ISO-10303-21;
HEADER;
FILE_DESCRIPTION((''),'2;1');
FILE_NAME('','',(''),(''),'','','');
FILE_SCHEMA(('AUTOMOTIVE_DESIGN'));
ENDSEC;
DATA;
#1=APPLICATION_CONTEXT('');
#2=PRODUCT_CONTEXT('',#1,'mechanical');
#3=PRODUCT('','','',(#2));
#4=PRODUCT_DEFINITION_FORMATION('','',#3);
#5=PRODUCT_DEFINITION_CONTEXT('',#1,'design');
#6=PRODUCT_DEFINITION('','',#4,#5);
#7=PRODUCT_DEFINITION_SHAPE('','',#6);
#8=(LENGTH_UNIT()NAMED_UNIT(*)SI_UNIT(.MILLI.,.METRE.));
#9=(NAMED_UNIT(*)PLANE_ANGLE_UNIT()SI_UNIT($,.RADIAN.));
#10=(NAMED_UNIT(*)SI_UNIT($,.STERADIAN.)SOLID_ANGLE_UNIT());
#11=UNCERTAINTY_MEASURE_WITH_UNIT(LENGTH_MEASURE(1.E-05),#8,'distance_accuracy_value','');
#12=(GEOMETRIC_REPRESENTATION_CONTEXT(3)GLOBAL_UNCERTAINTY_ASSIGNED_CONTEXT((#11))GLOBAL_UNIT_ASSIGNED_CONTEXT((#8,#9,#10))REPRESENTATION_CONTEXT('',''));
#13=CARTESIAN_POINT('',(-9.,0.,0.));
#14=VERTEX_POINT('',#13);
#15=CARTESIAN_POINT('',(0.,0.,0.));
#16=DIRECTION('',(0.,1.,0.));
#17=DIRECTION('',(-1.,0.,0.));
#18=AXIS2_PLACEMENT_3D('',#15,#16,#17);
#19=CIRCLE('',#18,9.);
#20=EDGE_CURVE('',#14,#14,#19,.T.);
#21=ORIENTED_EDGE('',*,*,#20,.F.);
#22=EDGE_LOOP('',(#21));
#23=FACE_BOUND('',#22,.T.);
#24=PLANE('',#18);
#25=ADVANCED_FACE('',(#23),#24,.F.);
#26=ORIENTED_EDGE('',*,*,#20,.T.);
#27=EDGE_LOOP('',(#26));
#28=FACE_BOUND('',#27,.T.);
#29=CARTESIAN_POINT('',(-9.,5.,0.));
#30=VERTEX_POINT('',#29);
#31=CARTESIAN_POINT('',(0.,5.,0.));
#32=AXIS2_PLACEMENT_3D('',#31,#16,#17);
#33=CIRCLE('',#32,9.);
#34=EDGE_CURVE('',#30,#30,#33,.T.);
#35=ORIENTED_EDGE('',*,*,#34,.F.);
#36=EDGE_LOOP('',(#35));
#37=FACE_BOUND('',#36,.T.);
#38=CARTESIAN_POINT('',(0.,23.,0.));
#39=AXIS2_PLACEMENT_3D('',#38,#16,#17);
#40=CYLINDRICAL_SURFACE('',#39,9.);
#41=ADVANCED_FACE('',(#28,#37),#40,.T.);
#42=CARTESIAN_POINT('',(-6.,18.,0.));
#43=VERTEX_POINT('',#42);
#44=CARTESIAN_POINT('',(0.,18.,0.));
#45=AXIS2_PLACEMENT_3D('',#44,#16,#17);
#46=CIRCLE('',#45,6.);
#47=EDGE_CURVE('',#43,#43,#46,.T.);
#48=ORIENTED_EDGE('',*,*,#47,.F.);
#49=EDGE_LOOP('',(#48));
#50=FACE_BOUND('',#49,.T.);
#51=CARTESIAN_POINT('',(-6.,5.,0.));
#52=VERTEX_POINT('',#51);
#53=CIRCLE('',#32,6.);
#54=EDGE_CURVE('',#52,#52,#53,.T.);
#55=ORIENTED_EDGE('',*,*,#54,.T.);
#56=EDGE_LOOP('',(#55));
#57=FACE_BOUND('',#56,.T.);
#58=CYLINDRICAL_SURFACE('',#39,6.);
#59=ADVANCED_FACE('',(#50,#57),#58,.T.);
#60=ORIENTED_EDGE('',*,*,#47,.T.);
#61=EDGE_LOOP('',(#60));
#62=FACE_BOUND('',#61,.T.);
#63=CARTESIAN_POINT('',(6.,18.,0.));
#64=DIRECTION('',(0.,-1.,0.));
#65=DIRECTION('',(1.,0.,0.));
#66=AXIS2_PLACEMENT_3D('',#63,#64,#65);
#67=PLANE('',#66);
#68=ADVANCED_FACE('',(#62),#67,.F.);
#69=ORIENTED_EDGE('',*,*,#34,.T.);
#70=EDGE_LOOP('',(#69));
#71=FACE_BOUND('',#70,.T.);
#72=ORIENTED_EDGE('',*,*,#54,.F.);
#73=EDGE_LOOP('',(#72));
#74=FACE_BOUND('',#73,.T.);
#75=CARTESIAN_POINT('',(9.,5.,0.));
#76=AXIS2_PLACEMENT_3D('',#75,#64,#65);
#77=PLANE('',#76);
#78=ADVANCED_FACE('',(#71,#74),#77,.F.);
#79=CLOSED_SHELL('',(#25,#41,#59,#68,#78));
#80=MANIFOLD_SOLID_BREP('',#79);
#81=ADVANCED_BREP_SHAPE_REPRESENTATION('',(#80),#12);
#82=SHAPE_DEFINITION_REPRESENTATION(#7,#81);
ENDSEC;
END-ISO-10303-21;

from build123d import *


with BuildPart() as part:
    # Sketch1 → Revolve1 (revolve)
    with BuildSketch(Plane.XY, mode=Mode.PRIVATE) as revolve1_sk:
        Polygon((0, 0), (9, 0), (9, 5), (6, 5), (6, 18), (0, 18), align=None)
    revolve(revolve1_sk.sketch.rotate(Axis((0, 23, 0), (0, -1, 0)), 180), axis=Axis((0, 23, 0), (0, -1, 0)))


solid = part.part
